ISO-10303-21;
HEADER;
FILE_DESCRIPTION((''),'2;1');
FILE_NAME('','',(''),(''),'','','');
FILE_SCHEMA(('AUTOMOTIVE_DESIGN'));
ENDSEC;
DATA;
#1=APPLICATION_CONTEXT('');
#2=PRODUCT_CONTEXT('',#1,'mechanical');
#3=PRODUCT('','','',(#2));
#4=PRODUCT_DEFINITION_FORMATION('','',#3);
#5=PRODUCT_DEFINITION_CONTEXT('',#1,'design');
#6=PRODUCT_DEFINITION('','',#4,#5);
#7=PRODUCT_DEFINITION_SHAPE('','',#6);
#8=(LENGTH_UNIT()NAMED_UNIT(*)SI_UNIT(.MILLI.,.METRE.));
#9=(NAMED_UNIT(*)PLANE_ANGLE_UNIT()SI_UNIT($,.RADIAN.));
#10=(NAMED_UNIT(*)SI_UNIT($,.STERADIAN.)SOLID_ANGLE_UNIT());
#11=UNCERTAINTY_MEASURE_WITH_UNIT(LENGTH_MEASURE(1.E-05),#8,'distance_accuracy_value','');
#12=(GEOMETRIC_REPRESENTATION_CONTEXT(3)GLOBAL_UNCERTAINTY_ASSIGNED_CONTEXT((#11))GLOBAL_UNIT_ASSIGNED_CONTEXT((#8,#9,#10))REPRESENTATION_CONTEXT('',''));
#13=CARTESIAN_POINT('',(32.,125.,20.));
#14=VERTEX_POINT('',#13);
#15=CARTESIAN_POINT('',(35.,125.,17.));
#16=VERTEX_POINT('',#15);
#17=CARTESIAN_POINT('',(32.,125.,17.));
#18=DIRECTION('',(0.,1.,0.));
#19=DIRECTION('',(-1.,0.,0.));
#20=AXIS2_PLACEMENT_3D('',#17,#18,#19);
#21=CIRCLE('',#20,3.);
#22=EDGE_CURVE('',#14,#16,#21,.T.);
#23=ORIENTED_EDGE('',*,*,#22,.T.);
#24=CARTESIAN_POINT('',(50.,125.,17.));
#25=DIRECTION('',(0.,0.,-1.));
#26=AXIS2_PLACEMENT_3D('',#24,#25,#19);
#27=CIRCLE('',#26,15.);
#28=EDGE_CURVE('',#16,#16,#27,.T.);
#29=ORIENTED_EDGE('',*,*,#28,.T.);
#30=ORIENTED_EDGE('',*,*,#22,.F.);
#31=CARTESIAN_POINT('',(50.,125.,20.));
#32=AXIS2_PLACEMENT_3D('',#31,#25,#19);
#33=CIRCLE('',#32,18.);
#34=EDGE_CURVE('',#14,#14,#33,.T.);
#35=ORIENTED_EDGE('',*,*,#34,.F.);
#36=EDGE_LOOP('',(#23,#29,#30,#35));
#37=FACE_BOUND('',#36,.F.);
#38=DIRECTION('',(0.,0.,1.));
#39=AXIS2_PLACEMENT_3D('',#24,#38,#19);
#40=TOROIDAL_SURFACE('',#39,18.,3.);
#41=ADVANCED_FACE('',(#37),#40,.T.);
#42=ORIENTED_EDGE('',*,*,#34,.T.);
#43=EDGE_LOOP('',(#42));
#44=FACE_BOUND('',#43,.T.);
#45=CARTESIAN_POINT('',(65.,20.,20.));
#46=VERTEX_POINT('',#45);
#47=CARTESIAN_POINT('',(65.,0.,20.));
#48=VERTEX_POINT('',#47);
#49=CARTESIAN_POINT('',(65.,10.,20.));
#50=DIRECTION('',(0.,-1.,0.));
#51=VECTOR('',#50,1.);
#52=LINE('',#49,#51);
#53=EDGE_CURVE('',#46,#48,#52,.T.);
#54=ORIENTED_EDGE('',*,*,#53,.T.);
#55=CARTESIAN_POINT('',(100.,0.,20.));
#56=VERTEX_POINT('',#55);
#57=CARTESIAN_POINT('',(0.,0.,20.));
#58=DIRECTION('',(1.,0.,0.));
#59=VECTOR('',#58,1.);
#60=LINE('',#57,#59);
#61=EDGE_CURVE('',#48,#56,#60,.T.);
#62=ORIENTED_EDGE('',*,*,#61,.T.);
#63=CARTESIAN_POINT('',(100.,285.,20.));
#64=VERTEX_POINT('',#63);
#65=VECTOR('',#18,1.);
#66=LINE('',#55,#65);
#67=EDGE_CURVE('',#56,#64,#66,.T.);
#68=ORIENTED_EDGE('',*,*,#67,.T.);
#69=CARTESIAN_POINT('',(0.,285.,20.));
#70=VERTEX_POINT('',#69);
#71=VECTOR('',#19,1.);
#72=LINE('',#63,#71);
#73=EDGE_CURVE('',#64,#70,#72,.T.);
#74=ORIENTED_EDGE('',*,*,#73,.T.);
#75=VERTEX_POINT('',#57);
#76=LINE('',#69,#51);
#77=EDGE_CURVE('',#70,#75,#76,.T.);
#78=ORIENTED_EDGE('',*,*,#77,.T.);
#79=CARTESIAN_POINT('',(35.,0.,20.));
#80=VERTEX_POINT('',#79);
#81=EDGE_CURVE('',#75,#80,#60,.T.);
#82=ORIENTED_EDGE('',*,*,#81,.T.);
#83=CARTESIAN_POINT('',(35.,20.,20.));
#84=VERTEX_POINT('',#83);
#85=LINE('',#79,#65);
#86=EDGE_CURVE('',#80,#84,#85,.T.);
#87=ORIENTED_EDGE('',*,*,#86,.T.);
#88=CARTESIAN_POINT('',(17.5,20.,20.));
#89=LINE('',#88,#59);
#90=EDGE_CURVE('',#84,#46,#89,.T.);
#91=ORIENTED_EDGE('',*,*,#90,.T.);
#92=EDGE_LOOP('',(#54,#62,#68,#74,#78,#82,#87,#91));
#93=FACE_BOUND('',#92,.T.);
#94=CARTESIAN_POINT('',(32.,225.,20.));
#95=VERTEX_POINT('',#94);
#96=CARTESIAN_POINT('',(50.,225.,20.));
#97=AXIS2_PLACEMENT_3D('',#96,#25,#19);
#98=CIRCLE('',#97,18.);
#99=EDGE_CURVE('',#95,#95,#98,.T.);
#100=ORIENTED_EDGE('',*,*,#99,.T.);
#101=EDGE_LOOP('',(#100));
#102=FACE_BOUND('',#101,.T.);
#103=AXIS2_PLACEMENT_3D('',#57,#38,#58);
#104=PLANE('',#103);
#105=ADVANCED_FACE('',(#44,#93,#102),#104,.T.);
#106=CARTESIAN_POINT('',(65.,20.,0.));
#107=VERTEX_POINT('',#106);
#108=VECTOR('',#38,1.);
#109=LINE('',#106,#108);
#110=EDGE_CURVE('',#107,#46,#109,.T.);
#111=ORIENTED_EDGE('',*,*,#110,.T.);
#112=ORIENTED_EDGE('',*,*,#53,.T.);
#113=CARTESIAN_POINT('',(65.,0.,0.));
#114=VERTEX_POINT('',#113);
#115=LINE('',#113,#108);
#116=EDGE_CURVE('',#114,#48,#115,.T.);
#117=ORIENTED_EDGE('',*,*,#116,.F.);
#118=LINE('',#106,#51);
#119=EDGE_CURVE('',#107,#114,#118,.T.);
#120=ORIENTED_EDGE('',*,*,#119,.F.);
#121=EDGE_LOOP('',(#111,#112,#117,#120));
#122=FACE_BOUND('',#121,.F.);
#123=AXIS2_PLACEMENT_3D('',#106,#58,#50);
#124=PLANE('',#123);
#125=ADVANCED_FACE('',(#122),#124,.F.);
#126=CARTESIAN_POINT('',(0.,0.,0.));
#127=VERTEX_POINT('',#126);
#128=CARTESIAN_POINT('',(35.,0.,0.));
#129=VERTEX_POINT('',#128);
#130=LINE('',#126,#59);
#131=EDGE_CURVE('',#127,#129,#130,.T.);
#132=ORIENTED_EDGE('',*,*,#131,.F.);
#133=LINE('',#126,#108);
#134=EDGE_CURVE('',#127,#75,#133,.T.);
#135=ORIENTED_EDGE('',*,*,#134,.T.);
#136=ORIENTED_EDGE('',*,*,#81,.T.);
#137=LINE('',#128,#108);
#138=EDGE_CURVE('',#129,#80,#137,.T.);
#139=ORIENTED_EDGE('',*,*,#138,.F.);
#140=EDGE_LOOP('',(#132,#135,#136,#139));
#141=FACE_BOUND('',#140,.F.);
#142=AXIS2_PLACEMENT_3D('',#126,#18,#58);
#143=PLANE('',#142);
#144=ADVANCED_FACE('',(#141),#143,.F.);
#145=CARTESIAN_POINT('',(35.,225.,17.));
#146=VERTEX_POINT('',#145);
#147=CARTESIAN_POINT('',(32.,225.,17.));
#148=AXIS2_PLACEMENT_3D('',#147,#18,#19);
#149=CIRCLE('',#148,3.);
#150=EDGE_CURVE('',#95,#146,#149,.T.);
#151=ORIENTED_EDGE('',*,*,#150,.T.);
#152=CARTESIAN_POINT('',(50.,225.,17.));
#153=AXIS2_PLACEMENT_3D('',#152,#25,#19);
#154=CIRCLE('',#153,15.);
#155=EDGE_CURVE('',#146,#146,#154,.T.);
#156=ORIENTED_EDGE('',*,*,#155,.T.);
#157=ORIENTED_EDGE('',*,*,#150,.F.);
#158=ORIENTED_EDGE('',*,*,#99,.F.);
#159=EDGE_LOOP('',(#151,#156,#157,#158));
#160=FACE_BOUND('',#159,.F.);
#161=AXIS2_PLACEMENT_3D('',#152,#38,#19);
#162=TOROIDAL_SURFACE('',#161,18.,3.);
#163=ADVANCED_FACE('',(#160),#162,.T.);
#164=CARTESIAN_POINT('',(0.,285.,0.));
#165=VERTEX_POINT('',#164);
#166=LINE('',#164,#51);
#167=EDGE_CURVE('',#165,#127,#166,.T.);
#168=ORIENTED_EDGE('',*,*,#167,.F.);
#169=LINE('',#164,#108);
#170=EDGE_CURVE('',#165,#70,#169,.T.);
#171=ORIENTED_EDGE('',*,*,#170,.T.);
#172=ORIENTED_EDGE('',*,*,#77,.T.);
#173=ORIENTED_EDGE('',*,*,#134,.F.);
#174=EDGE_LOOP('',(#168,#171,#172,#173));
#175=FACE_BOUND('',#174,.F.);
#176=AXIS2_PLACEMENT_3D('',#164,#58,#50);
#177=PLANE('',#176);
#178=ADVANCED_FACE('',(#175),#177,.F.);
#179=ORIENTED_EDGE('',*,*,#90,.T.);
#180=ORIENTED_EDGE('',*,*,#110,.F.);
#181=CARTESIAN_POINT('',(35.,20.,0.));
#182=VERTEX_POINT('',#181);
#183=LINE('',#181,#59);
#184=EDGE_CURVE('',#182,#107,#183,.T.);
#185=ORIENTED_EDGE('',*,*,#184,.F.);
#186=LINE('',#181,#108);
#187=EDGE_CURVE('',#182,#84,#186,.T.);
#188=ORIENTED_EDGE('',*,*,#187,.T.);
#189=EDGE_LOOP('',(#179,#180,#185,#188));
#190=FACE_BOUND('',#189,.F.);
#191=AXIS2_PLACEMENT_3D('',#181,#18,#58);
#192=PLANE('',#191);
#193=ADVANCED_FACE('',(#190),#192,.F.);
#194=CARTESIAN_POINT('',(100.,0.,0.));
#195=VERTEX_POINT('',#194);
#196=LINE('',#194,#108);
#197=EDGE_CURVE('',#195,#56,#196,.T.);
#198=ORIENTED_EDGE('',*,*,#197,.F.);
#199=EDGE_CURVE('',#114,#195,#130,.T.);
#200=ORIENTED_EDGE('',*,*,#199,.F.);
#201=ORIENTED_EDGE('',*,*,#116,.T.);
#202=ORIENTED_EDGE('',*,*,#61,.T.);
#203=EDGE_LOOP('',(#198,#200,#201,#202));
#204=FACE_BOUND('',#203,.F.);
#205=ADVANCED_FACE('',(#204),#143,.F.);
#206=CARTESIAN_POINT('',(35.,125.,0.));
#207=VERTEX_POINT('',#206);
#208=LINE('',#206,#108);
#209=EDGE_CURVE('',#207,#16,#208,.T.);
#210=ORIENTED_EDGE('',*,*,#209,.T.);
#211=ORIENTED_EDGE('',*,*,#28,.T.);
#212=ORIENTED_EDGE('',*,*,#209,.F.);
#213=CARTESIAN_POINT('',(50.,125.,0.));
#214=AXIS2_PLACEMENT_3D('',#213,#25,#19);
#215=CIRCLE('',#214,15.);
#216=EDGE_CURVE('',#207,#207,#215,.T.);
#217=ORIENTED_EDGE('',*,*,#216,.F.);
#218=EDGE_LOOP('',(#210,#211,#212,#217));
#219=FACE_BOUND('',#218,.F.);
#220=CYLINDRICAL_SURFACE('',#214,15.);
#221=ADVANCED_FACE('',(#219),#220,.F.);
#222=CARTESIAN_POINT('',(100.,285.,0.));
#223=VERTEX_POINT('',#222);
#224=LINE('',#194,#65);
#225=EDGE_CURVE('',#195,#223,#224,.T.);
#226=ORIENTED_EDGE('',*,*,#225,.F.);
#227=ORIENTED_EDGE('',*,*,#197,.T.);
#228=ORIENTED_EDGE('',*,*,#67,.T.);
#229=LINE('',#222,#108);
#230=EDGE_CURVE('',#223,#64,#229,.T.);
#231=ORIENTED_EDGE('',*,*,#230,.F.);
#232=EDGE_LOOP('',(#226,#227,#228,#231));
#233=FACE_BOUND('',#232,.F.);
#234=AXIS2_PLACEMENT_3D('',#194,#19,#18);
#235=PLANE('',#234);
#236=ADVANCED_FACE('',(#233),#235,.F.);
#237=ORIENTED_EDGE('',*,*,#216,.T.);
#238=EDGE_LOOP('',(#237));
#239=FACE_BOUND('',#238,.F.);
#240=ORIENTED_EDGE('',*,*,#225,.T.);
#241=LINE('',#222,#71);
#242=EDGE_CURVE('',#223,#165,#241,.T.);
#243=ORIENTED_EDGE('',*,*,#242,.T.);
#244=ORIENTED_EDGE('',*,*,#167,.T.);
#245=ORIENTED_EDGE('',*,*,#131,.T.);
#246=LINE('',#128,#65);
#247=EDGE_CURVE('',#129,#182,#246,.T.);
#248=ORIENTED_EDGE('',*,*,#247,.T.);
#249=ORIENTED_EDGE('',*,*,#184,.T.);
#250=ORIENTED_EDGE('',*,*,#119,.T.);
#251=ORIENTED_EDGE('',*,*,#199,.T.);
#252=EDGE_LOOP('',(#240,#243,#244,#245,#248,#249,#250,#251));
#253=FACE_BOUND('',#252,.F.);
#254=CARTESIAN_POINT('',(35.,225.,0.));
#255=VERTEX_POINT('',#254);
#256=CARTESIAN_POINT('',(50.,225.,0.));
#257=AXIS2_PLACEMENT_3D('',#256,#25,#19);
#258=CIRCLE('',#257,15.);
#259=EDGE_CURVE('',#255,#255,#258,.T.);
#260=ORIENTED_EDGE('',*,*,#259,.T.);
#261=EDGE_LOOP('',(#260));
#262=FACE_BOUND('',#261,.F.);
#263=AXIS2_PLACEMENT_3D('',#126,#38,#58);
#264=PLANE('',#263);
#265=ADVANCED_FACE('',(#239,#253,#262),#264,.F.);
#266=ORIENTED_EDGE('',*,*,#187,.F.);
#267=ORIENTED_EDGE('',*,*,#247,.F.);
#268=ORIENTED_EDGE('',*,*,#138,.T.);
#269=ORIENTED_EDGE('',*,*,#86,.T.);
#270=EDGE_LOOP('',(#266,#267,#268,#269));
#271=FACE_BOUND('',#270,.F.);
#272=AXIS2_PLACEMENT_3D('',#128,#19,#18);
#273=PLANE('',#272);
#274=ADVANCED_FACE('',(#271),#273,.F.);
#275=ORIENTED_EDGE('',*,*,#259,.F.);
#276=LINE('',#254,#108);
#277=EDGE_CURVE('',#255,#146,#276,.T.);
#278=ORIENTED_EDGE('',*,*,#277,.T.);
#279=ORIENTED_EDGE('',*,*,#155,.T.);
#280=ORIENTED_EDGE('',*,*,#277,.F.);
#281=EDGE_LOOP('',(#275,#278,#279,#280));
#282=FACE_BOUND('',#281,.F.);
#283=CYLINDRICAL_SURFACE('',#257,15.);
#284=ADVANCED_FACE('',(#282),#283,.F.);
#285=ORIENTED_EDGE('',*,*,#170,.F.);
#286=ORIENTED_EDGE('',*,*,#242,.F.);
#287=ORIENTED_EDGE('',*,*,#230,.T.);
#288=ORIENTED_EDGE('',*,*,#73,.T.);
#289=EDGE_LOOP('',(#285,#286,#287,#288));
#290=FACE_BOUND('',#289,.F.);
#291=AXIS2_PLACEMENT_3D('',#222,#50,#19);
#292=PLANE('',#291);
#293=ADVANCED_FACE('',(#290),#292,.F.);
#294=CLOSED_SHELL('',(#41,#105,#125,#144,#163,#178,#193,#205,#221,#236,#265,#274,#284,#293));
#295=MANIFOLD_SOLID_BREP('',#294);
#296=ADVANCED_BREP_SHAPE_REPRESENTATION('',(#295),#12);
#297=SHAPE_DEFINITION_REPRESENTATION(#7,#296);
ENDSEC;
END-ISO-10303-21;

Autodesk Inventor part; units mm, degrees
ref_plane "YZ Plane" through (0, 0, 0) normal (1, 0, 0) x (0, 1, 0)
ref_plane "XZ Plane" through (0, 0, 0) normal (0, 1, 0) x (-1, 0, 0)
ref_plane "XY Plane" through (0, 0, 0) normal (0, 0, 1) x (1, 0, 0)
sketch "Sketch1" plane through (0, 0, 0) normal (0, 0, 1) x (1, 0, 0)
  line L0 (0, 0) -> (100, 0)
  line L1 (100, 0) -> (100, 285)
  line L2 (100, 285) -> (0, 285)
  line L3 (0, 285) -> (0, 0)
  dimension "d0" = 100
  dimension "d1" = 285
extrude "Extrusion1" add sketch "Sketch1" along normal blind 20
sketch "Sketch2" plane through (0, 0, 0) normal (0, 0, -1) x (-1, 0, 0)
  circle A0 centre (-50, 125) radius 15
  circle A1 centre (-50, 225) radius 15
  line L0 (0, 285) -> (0, 0) projected
  line L1 (0, 0) -> (-100, 0) projected
  line L2 (-100, 285) -> (0, 285) projected
  dimension "d5" = 30
  dimension "d6" = 50
  dimension "d7" = 50
  dimension "d9" = 100
  dimension "d17" = 60
extrude "Extrusion2" cut sketch "Sketch2" against normal up to next
sketch "Sketch3" plane through (0, 0, 0) normal (0, 0, -1) x (-1, 0, 0)
  line L0 (0, 0) -> (-100, 0) projected
  line L1 (-35, 0) -> (-35, 20)
  line L2 (-35, 20) -> (-65, 20)
  line L3 (-65, 20) -> (-65, 0)
  line L4 (0, 285) -> (0, 0) projected
  dimension "d12" = 20
  dimension "d13" = 30
  dimension "d14" = 35
extrude "Extrusion3" cut sketch "Sketch3" against normal up to next
sketch "Sketch4" plane through (0, 0, 0) normal (-1, 0, 0) x (0, 0, 1)
  line L0 (0, 285) -> (0, 0) projected
  line L1 (0, 0) -> (20, 0) projected
  line L2 (20, 285) -> (20, 0) projected
  line L3 (0, 285) -> (20, 285) projected
  line L4 (20, 285) -> (90.7107, 214.2893) construction
  line L5 (20, 285) -> (120, 285) construction
  dimension "d18" = 100
  dimension "d19" = 45
fillet "Fillet3" radius 3 2 edges at (65, 125, 20) (65, 225, 20)
properties part number "EndaHaldarar" material "Wood (Birch)"
